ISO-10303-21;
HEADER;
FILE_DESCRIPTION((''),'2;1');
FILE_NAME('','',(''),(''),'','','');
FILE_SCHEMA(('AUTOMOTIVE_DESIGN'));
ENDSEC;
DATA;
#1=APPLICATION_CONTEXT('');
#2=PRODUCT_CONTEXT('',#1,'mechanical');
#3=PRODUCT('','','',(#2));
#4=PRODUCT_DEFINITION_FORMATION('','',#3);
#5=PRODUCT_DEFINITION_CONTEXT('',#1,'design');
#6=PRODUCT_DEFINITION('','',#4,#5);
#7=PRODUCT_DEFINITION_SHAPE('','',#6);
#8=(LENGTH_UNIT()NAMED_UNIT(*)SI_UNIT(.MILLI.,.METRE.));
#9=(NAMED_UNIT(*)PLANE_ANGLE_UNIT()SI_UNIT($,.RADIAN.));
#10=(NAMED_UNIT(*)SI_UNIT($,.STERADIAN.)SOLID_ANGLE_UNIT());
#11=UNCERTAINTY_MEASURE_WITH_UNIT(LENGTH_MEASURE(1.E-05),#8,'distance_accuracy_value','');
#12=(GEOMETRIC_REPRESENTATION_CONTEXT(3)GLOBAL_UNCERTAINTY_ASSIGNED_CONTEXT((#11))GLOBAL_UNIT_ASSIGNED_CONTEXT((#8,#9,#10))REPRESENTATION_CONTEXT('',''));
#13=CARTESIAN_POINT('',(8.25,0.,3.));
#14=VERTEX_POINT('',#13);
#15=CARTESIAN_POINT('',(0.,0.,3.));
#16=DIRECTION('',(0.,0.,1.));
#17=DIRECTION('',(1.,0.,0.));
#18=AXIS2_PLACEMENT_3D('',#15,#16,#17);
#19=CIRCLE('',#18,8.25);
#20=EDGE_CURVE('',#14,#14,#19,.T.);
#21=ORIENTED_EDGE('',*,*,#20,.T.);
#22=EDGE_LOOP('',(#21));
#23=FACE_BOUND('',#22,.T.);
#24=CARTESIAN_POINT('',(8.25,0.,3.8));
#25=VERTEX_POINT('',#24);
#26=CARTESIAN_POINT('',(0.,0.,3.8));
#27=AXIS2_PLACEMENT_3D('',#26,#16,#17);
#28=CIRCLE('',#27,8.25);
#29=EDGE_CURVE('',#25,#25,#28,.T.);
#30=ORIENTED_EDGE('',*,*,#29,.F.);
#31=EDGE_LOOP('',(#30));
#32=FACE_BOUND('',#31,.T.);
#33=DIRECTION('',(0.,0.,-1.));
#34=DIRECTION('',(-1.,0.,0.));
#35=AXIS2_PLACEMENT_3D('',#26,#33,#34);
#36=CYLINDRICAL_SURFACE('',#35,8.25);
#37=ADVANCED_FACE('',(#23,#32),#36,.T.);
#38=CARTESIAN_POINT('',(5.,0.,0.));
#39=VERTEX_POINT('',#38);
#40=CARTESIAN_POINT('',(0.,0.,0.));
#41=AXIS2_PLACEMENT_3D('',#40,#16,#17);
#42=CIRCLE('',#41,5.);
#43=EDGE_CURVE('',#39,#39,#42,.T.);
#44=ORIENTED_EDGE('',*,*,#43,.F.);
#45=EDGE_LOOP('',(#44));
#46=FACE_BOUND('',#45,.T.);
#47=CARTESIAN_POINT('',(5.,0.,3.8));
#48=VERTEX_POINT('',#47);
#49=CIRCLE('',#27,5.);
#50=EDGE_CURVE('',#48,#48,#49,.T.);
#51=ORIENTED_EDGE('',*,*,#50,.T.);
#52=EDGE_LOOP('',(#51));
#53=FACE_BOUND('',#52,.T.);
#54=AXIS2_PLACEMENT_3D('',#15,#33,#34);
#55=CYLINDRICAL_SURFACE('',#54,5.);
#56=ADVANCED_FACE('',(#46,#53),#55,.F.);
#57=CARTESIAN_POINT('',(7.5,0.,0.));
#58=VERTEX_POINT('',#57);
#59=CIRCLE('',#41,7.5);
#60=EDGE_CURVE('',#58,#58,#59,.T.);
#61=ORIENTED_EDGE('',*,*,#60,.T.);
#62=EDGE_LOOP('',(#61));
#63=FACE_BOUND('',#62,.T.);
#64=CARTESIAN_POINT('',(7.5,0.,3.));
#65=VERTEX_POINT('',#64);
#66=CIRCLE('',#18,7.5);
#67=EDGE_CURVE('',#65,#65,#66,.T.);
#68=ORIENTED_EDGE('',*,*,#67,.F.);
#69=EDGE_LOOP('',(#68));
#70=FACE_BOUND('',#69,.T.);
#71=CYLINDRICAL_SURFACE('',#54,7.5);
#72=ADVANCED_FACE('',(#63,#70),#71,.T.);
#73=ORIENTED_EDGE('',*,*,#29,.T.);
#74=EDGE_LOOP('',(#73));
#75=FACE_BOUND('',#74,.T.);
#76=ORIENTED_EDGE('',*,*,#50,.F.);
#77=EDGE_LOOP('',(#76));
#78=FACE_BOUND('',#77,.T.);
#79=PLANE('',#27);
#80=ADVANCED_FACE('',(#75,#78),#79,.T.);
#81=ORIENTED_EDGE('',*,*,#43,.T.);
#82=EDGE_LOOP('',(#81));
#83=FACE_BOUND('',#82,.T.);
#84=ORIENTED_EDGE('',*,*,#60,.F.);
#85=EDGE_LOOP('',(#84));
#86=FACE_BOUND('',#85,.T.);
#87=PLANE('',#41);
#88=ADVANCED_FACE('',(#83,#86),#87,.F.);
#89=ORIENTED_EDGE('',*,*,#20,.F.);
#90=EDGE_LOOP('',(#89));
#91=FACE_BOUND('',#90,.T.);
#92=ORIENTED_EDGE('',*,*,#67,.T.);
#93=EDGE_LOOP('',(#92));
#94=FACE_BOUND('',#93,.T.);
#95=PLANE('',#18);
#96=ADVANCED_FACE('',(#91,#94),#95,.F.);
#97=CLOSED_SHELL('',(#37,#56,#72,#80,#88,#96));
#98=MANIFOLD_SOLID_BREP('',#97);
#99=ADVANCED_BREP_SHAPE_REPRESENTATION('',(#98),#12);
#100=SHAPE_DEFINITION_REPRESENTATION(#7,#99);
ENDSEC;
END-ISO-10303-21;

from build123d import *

# Parameters (mm, degrees)
SKETCH1_R           = 7.5
SKETCH1_R_2         = 5
BOSS_EXTRUDE1_DEPTH = 3
SKETCH2_R           = 8.25
SKETCH2_R_2         = 5
BOSS_EXTRUDE2_DEPTH = 0.8


with BuildPart() as part:
    # Sketch1 → Boss-Extrude1 (new body)
    with BuildSketch(Plane.XY):
        Circle(SKETCH1_R)
        Circle(SKETCH1_R_2, mode=Mode.SUBTRACT)
    extrude(amount=BOSS_EXTRUDE1_DEPTH)

    # Sketch2 → Boss-Extrude2 (add)
    with BuildSketch(Plane.XY.offset(3)):
        Circle(SKETCH2_R)
        Circle(SKETCH2_R_2, mode=Mode.SUBTRACT)
    extrude(amount=BOSS_EXTRUDE2_DEPTH)


solid = part.part
